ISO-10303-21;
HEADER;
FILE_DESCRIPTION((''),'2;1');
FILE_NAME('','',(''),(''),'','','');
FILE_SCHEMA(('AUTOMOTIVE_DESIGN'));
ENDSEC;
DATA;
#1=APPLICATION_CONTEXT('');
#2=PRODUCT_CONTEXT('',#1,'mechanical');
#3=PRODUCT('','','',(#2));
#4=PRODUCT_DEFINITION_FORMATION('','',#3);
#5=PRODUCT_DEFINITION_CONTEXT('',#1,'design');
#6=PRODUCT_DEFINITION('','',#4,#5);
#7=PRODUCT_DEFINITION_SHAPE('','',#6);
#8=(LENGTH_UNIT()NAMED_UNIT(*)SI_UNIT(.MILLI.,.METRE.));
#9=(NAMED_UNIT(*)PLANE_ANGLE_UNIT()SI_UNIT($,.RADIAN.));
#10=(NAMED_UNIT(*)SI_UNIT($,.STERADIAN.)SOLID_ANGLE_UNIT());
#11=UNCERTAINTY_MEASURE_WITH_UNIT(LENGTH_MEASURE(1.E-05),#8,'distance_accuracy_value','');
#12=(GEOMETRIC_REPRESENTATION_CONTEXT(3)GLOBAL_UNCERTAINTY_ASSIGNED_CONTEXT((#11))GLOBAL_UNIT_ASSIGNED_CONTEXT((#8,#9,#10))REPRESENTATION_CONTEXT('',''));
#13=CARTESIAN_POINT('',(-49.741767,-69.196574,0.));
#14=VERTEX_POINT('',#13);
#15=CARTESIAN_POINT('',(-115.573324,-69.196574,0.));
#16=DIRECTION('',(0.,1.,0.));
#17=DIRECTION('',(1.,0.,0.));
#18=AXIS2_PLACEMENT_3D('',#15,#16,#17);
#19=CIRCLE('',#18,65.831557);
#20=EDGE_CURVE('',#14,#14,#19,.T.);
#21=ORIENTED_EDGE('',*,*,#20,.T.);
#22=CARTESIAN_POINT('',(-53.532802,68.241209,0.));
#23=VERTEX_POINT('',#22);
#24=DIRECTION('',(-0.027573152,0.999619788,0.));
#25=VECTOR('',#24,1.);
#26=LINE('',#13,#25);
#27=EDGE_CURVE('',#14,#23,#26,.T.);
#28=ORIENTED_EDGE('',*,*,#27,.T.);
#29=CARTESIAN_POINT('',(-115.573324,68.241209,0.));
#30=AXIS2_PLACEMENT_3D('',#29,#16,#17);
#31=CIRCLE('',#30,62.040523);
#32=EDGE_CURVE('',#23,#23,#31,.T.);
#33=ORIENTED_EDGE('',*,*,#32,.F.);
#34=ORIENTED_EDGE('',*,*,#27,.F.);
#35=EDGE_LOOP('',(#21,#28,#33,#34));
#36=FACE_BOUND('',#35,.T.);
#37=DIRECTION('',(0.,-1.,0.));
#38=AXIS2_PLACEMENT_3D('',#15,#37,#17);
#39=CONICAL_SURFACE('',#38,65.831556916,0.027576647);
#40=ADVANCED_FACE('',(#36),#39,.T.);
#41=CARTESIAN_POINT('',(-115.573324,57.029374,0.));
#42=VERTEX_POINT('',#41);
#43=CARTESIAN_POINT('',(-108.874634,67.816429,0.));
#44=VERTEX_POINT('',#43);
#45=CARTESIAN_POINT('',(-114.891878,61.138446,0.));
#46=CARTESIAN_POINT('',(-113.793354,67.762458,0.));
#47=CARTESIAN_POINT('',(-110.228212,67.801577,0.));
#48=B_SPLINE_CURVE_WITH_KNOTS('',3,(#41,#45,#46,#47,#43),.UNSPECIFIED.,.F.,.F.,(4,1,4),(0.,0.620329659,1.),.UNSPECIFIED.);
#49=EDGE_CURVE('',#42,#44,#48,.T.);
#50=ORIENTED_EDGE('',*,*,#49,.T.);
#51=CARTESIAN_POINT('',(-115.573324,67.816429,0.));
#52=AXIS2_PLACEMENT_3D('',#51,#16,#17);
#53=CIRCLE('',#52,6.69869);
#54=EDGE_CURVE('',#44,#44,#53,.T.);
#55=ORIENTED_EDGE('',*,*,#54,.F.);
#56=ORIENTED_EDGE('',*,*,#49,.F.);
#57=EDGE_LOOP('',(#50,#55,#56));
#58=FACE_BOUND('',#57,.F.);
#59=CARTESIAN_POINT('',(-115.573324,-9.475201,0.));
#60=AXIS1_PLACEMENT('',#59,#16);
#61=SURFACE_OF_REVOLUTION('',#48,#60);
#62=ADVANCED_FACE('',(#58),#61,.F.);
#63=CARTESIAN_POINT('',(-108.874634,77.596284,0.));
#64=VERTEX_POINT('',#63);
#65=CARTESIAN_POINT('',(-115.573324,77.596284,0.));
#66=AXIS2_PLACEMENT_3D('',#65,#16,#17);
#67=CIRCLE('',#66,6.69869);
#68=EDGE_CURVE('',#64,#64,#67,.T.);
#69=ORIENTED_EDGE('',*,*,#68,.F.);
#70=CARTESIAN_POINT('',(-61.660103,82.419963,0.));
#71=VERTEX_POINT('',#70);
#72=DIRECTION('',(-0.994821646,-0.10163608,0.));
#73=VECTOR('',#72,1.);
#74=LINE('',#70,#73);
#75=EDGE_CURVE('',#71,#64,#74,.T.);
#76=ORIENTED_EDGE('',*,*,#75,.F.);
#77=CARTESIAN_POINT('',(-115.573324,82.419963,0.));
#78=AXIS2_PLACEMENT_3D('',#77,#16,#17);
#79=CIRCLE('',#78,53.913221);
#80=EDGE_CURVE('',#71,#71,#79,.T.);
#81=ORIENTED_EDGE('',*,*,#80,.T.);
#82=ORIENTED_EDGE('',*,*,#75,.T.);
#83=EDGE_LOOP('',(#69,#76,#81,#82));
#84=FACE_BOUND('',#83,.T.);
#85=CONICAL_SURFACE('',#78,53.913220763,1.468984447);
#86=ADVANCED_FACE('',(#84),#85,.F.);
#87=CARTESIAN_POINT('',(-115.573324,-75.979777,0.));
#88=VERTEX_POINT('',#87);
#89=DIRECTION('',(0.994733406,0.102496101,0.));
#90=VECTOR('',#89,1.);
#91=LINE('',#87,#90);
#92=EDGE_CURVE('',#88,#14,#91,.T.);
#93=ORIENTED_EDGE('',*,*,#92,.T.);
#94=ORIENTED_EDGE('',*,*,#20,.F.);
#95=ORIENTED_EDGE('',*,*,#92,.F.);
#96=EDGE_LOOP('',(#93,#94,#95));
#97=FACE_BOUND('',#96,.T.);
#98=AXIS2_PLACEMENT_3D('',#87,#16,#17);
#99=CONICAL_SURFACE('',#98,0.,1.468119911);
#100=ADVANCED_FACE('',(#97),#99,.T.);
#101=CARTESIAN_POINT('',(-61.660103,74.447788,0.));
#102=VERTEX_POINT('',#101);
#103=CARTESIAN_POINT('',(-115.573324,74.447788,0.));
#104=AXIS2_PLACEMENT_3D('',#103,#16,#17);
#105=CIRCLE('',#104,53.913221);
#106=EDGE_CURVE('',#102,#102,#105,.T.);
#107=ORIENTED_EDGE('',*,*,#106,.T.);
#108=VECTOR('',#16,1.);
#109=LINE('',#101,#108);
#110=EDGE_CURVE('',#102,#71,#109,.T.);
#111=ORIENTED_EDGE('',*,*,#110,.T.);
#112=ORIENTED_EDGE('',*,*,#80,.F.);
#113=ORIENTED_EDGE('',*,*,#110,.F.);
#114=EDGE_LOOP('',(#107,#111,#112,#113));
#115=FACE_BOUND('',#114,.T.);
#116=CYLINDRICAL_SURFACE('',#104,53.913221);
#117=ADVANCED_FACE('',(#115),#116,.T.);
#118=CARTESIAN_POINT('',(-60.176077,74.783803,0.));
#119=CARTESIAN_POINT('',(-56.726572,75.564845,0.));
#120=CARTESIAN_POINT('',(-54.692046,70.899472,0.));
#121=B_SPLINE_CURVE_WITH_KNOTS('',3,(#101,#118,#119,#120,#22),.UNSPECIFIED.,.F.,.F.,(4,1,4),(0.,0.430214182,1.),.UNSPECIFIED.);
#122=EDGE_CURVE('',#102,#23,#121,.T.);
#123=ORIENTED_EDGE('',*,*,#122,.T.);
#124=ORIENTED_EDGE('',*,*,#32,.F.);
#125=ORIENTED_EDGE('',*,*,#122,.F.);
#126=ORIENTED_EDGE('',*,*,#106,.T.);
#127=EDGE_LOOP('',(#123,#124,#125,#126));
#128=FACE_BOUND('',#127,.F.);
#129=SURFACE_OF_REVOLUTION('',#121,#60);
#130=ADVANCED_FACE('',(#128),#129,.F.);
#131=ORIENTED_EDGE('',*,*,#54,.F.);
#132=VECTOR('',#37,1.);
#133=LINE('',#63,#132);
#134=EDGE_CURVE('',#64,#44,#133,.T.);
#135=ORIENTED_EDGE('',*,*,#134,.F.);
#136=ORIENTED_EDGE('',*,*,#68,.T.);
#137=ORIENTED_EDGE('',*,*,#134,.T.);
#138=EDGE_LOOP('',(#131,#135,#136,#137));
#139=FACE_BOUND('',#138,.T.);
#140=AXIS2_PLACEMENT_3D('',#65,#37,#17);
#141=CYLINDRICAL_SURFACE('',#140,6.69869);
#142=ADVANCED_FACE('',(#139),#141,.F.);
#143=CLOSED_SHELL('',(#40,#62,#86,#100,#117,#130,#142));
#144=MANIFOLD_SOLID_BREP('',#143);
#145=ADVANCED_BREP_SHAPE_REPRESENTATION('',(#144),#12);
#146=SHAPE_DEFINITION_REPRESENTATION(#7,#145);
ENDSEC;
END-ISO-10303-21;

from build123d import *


with BuildPart() as f1:
    # F0 (on Top) → F1 (revolve)
    with BuildSketch(Plane.XY):
        with BuildLine():
            Line((-115.5733242631, 57.0293739438), (-115.5733242631, -75.9797766805))
            Line((-115.5733242631, -75.9797766805), (-49.7417673469, -69.1965743899))
            Line((-49.7417673469, -69.1965743899), (-53.5328015685, 68.2412087917))
            add(Edge.make_bspline(
                [(-61.6601034999, 74.4477882981), (-60.1760774382, 74.783803467), (-56.7265722306, 75.5648450568), (-54.6920458476, 70.8994721239), (-53.5328015685, 68.2412087917)],
                knots=[0, 0, 0, 0, 0.4302141822, 1, 1, 1, 1], degree=3))
            Line((-61.6601034999, 74.4477882981), (-61.6601034999, 82.4199629432))
            Line((-61.6601034999, 82.4199629432), (-108.8746339083, 77.5962844491))
            Line((-108.8746339083, 77.5962844491), (-108.8746339083, 67.8164288402))
            add(Edge.make_bspline(
                [(-115.5733242631, 57.0293739438), (-114.8918775977, 61.1384455934), (-113.7933541673, 67.7624584675), (-110.2282124707, 67.8015767779), (-108.8746339083, 67.8164288402)],
                knots=[0, 0, 0, 0, 0.6203296593, 1, 1, 1, 1], degree=3))
        make_face()
    revolve(axis=Axis((-115.5733242631, -9.4752013683, 0), (0, 1, 0)))


solid = f1.part
